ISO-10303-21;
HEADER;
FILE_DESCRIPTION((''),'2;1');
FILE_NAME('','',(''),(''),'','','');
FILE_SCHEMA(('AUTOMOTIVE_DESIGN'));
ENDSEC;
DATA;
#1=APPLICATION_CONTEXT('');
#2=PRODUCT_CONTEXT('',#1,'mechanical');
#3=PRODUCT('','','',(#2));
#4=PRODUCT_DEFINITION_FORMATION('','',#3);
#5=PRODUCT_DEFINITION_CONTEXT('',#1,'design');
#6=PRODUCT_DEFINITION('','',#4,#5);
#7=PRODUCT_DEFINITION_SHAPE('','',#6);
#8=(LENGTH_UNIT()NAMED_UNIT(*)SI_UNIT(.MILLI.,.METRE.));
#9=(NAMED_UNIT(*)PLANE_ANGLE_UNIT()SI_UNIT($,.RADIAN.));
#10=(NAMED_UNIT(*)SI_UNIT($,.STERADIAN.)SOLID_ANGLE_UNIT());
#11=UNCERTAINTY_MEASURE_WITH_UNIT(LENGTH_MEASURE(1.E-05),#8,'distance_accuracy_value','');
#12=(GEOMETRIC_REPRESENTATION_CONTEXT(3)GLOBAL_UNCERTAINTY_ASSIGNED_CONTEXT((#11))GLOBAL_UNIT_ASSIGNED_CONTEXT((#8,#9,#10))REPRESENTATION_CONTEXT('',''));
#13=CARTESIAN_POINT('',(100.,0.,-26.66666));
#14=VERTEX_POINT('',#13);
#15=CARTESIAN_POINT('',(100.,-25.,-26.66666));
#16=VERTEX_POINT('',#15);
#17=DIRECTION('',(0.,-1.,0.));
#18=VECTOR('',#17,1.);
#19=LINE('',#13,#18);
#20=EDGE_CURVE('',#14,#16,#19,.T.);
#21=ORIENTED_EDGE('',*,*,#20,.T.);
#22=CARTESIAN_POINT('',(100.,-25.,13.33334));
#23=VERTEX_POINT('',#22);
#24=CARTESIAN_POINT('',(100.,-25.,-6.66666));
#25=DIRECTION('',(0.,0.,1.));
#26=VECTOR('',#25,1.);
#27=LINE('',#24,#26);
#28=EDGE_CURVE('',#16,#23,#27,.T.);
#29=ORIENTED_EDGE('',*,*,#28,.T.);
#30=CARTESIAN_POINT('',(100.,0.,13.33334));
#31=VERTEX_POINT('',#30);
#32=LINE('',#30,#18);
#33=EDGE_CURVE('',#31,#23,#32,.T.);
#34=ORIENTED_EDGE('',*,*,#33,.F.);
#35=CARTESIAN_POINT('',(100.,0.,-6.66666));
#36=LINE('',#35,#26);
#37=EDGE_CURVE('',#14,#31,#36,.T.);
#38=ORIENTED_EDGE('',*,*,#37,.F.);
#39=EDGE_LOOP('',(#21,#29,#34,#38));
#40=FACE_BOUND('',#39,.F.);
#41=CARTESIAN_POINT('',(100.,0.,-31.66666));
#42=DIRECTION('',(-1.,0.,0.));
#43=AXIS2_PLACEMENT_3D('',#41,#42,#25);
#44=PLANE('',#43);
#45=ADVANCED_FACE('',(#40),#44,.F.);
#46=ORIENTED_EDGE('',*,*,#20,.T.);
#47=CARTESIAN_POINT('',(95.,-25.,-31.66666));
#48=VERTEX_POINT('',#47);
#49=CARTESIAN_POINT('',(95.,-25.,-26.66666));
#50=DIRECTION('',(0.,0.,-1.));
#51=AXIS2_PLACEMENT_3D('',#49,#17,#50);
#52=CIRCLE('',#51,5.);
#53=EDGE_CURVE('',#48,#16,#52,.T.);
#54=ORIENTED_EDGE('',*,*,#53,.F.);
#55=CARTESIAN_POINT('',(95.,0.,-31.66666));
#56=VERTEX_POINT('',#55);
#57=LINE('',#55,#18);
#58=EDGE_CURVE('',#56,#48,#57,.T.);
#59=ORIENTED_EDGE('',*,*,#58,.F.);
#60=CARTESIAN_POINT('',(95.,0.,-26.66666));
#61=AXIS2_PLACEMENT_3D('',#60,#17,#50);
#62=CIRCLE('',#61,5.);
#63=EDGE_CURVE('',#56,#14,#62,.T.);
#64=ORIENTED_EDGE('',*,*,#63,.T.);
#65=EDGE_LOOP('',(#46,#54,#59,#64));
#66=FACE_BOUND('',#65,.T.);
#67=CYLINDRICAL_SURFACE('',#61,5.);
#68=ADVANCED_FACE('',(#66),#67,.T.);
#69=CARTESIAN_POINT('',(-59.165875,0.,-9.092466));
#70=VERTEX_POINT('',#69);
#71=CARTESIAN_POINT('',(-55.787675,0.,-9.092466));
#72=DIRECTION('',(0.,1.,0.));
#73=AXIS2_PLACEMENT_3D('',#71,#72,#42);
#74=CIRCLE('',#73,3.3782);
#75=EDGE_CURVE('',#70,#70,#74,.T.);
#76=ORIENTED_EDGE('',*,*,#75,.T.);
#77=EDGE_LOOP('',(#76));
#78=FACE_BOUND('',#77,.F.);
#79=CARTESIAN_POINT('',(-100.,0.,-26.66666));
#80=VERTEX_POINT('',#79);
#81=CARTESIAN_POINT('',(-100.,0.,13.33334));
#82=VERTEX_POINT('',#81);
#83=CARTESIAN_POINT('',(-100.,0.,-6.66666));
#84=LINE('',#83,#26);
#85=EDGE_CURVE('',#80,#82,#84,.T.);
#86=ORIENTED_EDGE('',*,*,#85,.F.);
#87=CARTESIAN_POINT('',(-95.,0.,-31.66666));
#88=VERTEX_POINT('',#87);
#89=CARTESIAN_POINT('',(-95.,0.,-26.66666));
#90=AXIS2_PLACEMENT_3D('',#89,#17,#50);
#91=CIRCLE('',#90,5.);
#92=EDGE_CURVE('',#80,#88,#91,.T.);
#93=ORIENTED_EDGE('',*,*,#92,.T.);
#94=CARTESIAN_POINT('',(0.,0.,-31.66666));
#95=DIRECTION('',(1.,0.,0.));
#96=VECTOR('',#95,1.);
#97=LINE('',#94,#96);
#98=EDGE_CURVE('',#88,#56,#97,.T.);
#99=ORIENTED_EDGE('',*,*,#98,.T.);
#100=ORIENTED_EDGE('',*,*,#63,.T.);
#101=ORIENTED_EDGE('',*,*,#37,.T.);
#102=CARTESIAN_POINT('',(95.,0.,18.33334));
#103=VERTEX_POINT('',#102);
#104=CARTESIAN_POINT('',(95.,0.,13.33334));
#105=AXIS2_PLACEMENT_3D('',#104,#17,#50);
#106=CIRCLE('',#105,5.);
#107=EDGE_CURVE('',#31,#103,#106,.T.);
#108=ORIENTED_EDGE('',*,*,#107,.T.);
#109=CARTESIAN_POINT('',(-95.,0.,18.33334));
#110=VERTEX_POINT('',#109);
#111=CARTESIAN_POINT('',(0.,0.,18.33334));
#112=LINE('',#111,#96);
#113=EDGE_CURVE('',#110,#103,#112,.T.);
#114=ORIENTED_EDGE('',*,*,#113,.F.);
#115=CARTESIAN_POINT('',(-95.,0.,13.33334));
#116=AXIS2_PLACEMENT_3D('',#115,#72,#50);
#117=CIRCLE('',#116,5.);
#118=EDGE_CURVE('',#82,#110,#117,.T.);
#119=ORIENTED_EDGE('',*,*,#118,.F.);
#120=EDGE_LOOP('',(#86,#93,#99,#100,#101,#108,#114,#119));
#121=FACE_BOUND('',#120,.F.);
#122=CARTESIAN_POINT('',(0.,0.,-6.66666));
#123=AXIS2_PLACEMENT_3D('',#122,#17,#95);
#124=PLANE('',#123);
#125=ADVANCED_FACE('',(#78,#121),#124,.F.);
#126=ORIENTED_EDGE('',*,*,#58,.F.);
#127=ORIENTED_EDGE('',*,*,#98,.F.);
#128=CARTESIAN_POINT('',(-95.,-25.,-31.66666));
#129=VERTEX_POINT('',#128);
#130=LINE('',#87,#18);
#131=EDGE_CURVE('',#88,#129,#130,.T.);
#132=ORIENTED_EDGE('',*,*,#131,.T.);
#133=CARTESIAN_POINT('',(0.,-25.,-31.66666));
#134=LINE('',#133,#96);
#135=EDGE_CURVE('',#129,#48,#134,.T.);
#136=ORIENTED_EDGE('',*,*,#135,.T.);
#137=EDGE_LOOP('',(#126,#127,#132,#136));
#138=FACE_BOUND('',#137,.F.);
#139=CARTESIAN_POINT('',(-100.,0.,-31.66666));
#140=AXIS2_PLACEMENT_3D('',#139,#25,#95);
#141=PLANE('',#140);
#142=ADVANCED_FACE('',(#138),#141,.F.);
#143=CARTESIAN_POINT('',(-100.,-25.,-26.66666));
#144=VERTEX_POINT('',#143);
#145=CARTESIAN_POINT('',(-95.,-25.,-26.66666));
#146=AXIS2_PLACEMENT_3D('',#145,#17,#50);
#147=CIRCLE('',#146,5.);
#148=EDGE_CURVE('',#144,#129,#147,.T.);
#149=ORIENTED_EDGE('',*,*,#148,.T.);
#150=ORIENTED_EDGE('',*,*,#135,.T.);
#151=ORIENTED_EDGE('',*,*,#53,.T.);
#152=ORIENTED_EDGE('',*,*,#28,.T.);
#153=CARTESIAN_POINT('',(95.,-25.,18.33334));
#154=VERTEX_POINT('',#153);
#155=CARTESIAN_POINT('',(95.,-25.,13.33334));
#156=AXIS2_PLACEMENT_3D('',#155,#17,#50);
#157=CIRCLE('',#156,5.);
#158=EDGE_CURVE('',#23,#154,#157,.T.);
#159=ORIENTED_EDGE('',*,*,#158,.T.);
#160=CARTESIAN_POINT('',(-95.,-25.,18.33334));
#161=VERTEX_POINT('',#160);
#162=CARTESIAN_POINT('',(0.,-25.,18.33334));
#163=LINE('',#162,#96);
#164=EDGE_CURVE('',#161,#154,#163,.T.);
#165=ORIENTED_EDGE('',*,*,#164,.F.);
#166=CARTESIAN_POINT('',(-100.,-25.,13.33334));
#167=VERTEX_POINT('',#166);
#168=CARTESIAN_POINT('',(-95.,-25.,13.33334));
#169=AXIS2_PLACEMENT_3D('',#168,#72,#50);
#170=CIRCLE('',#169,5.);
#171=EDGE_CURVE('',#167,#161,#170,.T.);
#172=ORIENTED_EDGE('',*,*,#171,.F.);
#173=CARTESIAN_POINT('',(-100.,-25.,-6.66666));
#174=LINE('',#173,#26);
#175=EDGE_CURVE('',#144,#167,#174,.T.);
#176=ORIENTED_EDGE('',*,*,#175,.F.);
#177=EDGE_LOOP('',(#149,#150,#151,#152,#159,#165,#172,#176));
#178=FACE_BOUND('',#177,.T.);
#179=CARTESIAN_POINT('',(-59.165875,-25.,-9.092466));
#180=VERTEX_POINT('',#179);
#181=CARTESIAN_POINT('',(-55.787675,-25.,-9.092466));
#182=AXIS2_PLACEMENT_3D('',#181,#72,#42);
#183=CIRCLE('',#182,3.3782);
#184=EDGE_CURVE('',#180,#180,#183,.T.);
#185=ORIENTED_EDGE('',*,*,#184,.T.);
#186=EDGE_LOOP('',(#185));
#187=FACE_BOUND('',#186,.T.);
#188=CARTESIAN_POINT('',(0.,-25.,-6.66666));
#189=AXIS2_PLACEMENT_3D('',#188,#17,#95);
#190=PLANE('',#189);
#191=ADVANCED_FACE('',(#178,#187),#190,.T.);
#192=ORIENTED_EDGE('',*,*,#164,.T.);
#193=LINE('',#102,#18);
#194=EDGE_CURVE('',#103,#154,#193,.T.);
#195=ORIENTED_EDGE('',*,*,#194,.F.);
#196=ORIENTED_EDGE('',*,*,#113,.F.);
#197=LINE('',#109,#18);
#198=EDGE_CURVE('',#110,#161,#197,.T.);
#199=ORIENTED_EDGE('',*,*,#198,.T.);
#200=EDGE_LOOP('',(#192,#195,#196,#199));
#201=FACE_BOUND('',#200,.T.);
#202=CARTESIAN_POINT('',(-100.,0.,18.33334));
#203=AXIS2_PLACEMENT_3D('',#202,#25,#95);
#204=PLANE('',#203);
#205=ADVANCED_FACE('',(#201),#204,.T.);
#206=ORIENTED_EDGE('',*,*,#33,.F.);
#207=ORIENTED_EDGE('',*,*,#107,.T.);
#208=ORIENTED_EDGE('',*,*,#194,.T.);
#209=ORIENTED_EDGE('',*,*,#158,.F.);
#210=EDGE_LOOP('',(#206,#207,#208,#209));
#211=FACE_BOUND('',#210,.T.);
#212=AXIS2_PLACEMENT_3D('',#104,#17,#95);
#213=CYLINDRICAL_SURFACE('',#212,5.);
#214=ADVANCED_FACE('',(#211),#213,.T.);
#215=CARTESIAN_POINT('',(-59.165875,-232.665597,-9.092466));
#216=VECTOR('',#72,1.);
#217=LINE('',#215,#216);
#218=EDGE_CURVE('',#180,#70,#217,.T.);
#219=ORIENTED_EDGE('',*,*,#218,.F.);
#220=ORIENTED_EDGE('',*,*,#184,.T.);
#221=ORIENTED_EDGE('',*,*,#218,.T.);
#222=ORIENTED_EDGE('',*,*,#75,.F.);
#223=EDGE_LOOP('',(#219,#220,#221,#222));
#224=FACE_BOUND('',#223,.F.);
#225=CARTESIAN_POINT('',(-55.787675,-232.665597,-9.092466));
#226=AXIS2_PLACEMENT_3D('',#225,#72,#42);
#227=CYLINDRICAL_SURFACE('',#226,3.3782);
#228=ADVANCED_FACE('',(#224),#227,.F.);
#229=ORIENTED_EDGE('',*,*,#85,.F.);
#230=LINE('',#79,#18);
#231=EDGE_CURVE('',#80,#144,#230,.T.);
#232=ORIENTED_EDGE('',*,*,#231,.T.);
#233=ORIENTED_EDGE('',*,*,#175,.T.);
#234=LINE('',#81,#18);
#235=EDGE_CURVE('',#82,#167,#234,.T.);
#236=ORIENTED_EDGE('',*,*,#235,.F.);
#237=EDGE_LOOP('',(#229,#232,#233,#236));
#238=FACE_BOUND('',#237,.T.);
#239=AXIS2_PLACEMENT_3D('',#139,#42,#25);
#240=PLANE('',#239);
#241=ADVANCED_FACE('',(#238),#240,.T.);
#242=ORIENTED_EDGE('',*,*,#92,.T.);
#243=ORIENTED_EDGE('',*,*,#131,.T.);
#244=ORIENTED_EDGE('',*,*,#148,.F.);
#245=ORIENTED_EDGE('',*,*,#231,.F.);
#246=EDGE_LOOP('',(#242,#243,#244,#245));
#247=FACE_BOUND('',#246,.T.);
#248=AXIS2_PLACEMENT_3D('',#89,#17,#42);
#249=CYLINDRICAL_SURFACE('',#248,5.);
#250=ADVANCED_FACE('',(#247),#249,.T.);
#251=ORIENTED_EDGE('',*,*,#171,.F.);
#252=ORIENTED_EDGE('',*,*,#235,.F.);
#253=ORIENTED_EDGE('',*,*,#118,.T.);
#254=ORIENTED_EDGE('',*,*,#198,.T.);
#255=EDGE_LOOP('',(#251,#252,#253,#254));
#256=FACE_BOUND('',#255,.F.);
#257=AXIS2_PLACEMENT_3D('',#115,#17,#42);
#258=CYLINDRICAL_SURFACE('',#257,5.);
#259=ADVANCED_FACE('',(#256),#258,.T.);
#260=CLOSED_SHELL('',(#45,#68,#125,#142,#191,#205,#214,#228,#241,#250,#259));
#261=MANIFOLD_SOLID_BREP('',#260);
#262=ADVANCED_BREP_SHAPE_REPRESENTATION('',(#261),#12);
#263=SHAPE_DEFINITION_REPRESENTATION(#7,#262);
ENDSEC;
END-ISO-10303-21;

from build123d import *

# Parameters (mm, degrees)
F0_W     = 200
F0_H     = 50
F1_DEPTH = 25
F2_R     = 5
F5_D     = 6.7564


with BuildPart() as f1:
    # F0 (on Front) → F1 (new body)
    with BuildSketch(Plane.XZ):
        with Locations((0, -6.6666597634)):
            Rectangle(F0_W, F0_H)
    extrude(amount=F1_DEPTH)

    # F2
    f2_edges = [f1.edges().sort_by_distance(p)[0] for p in [
        (-100, -12.5, 18.33334),
        (100, -12.5, 18.33334),
        (100, -12.5, -31.66666),
        (-100, -12.5, -31.66666),
    ]]
    fillet(f2_edges, radius=F2_R)

    # F5 (through all)
    with Locations(Plane.XZ.offset(25)):
        with Locations((-55.7876750827, -9.0924659744)):
            Hole(F5_D / 2)


solid = f1.part
